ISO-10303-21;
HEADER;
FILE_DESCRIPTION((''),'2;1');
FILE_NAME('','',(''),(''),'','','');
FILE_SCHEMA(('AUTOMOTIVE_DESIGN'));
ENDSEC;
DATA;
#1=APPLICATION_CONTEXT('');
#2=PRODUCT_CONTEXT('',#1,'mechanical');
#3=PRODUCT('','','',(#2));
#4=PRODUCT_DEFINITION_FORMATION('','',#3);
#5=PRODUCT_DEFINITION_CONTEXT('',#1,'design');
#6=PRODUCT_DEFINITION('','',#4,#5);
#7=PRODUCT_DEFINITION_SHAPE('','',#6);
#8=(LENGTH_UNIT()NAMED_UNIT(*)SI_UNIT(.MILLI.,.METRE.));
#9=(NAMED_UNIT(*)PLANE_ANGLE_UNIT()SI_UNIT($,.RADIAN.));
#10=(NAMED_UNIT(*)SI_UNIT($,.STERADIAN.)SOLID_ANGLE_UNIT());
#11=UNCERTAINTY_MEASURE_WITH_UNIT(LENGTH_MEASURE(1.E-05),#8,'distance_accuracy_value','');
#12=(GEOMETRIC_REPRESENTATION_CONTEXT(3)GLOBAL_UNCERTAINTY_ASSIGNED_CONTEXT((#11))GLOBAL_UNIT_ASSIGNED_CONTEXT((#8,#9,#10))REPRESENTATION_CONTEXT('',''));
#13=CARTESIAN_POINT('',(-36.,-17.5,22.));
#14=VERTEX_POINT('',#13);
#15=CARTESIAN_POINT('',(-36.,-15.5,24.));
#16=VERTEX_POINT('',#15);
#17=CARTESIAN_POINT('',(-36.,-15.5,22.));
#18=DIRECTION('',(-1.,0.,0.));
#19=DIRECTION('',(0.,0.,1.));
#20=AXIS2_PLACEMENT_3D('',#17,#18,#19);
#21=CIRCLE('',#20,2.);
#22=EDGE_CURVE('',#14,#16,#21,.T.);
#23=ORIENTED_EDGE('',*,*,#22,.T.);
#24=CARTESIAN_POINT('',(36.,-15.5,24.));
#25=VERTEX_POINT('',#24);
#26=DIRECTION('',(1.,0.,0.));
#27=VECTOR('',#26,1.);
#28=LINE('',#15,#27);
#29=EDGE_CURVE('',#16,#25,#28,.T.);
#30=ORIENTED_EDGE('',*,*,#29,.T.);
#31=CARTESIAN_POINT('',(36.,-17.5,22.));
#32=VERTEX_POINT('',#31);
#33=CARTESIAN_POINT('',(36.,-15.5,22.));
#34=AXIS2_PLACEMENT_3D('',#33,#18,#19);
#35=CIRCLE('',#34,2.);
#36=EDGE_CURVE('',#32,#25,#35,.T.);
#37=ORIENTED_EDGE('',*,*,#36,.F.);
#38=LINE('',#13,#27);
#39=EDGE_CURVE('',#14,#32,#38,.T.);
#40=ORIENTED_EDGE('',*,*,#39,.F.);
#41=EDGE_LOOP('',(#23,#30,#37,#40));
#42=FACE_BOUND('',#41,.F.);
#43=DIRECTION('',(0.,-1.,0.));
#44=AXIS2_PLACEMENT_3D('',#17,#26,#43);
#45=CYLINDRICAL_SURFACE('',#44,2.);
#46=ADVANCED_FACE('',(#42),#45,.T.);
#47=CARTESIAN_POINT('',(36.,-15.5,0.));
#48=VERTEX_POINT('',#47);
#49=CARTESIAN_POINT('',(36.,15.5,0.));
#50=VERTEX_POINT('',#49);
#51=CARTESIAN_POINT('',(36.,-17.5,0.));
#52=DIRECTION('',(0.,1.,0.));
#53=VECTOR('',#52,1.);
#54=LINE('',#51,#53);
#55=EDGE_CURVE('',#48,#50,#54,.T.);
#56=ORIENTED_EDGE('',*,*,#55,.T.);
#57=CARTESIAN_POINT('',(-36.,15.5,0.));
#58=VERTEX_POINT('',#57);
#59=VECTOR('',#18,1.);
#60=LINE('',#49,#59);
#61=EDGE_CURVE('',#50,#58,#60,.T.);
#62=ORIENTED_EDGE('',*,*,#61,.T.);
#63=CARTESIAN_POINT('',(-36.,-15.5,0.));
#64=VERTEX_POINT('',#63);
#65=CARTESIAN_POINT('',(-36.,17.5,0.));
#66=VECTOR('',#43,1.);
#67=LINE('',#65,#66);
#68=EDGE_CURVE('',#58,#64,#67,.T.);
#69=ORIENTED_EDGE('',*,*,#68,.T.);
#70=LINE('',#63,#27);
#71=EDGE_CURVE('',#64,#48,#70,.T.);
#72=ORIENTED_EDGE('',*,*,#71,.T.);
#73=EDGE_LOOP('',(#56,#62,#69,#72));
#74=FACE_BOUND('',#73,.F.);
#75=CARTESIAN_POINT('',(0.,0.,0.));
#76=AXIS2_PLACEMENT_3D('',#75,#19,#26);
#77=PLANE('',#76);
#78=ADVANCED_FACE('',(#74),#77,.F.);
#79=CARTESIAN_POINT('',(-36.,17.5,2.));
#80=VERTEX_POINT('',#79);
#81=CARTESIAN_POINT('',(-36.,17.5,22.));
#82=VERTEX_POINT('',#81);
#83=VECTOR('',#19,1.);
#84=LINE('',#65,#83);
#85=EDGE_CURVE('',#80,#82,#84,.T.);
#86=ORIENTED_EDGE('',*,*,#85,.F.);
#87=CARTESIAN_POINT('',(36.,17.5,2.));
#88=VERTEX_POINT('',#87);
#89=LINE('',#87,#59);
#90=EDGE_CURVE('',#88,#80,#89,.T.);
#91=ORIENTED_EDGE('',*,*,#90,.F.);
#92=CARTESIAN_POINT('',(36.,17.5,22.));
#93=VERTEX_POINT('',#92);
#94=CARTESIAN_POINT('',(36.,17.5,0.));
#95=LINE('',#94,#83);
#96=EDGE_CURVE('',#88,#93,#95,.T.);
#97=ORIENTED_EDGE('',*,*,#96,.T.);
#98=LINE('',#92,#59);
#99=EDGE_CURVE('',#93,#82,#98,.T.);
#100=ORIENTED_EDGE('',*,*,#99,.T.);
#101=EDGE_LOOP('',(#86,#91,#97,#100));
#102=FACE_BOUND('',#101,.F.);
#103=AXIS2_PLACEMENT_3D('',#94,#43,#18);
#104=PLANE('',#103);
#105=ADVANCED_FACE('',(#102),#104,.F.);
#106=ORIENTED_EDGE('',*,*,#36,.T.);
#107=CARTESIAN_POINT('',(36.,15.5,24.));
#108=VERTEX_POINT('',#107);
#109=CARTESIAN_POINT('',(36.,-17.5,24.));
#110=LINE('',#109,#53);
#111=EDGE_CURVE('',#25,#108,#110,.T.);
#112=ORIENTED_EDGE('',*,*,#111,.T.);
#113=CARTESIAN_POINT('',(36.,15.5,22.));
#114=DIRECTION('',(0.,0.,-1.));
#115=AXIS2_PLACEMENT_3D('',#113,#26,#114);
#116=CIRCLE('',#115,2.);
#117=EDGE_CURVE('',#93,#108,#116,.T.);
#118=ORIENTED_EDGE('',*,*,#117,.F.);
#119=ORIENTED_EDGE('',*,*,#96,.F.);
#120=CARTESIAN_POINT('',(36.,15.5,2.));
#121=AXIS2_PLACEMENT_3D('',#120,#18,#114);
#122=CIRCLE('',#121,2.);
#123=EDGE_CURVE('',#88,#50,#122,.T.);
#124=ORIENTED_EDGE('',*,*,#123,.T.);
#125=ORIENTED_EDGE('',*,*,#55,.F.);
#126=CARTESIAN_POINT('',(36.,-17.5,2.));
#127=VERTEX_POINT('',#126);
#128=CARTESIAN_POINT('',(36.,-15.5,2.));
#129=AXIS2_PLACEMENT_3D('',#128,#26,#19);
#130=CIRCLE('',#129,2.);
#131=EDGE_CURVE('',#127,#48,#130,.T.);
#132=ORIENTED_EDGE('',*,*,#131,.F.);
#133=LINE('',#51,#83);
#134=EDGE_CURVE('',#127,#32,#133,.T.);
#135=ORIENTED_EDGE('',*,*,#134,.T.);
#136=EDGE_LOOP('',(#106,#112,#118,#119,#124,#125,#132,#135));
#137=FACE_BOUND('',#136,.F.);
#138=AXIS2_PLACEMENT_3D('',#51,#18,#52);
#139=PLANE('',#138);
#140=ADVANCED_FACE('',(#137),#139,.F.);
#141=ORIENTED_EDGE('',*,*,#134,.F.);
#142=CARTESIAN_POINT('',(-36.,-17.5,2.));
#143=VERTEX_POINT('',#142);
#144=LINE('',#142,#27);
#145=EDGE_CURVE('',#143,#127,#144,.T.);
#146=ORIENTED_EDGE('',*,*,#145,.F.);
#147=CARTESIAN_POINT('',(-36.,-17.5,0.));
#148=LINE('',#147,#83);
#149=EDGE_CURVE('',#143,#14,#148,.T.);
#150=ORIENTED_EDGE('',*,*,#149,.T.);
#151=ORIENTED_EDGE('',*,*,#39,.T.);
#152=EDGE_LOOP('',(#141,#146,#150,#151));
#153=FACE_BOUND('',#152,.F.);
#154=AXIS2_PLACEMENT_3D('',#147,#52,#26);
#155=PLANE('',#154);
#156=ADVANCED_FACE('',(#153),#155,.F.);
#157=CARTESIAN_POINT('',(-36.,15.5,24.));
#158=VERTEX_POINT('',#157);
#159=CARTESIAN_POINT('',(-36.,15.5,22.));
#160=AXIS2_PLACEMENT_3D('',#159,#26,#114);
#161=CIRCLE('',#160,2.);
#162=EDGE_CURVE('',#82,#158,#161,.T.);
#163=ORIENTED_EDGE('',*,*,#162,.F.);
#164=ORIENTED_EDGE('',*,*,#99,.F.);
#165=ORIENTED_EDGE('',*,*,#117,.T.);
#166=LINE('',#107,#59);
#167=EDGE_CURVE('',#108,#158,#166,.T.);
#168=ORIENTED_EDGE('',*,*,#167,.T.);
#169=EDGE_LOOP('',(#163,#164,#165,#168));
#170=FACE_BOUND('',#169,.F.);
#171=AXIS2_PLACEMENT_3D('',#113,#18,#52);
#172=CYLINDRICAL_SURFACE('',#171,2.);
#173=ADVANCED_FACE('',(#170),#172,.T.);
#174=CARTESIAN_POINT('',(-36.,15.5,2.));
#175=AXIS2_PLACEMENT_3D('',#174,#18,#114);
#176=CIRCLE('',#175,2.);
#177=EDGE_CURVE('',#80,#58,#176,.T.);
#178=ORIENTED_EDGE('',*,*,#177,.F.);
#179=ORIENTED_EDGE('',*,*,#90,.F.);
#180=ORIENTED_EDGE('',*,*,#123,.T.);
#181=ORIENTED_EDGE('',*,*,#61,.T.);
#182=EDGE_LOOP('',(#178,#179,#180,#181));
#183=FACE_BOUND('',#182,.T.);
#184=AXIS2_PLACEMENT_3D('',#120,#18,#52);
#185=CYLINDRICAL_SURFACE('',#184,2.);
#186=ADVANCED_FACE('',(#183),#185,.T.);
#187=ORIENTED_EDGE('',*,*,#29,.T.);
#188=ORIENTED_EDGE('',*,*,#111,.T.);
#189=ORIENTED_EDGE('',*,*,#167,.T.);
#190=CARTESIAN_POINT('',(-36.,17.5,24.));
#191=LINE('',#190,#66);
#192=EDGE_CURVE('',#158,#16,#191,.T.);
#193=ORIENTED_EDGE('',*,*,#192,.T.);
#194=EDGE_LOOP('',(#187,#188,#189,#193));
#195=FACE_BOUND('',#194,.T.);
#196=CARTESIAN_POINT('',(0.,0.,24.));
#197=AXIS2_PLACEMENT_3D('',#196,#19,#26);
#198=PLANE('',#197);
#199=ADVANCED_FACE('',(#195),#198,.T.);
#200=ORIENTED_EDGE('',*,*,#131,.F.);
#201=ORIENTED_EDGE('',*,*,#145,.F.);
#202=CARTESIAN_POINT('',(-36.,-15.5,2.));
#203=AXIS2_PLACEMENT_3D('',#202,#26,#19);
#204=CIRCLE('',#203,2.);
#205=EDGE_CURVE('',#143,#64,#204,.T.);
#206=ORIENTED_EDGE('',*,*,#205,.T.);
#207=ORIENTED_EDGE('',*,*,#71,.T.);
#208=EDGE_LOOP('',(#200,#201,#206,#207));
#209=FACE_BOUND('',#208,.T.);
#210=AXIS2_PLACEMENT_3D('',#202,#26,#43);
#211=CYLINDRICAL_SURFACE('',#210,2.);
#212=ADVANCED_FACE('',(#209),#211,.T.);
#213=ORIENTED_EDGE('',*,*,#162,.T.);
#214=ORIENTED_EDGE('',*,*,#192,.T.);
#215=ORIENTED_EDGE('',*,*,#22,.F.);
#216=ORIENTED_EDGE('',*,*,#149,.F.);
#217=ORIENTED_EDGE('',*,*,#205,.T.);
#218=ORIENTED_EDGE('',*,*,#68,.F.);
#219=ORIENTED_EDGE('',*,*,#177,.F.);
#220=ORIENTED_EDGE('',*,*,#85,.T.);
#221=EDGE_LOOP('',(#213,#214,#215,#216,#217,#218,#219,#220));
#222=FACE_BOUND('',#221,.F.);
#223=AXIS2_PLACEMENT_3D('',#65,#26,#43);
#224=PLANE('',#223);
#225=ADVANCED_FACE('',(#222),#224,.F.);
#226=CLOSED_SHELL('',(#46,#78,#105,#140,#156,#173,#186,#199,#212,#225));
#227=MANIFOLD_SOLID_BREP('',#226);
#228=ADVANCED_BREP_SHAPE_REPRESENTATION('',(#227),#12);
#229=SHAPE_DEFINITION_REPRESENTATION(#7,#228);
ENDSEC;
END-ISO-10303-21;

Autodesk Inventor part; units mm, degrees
ref_plane "YZ Plane" through (0, 0, 0) normal (1, 0, 0) x (0, 1, 0)
ref_plane "XZ Plane" through (0, 0, 0) normal (0, 1, 0) x (-1, 0, 0)
ref_plane "XY Plane" through (0, 0, 0) normal (0, 0, 1) x (1, 0, 0)
sketch "Szkic1" plane through (0, 0, 0) normal (0, 0, 1) x (1, 0, 0)
  line L0 (-36, -17.5) -> (36, -17.5)
  line L1 (36, -17.5) -> (36, 17.5)
  line L2 (36, 17.5) -> (-36, 17.5)
  line L3 (-36, 17.5) -> (-36, -17.5)
  line L4 (-36, -17.5) -> (36, 17.5) construction
  line L5 (36, -17.5) -> (-36, 17.5) construction
  point P0 (0, 0)
  dimension "d0" = 72
  dimension "d1" = 35
extrude "Wyciągnięcie proste1" add sketch "Szkic1" along normal blind 24
fillet "Zaokrąglenie1" radius 2 4 edges at (0, 17.5, 0) (0, -17.5, 0) (0, -17.5, 24) (0, 17.5, 24)
properties part number "Li-Pol"
